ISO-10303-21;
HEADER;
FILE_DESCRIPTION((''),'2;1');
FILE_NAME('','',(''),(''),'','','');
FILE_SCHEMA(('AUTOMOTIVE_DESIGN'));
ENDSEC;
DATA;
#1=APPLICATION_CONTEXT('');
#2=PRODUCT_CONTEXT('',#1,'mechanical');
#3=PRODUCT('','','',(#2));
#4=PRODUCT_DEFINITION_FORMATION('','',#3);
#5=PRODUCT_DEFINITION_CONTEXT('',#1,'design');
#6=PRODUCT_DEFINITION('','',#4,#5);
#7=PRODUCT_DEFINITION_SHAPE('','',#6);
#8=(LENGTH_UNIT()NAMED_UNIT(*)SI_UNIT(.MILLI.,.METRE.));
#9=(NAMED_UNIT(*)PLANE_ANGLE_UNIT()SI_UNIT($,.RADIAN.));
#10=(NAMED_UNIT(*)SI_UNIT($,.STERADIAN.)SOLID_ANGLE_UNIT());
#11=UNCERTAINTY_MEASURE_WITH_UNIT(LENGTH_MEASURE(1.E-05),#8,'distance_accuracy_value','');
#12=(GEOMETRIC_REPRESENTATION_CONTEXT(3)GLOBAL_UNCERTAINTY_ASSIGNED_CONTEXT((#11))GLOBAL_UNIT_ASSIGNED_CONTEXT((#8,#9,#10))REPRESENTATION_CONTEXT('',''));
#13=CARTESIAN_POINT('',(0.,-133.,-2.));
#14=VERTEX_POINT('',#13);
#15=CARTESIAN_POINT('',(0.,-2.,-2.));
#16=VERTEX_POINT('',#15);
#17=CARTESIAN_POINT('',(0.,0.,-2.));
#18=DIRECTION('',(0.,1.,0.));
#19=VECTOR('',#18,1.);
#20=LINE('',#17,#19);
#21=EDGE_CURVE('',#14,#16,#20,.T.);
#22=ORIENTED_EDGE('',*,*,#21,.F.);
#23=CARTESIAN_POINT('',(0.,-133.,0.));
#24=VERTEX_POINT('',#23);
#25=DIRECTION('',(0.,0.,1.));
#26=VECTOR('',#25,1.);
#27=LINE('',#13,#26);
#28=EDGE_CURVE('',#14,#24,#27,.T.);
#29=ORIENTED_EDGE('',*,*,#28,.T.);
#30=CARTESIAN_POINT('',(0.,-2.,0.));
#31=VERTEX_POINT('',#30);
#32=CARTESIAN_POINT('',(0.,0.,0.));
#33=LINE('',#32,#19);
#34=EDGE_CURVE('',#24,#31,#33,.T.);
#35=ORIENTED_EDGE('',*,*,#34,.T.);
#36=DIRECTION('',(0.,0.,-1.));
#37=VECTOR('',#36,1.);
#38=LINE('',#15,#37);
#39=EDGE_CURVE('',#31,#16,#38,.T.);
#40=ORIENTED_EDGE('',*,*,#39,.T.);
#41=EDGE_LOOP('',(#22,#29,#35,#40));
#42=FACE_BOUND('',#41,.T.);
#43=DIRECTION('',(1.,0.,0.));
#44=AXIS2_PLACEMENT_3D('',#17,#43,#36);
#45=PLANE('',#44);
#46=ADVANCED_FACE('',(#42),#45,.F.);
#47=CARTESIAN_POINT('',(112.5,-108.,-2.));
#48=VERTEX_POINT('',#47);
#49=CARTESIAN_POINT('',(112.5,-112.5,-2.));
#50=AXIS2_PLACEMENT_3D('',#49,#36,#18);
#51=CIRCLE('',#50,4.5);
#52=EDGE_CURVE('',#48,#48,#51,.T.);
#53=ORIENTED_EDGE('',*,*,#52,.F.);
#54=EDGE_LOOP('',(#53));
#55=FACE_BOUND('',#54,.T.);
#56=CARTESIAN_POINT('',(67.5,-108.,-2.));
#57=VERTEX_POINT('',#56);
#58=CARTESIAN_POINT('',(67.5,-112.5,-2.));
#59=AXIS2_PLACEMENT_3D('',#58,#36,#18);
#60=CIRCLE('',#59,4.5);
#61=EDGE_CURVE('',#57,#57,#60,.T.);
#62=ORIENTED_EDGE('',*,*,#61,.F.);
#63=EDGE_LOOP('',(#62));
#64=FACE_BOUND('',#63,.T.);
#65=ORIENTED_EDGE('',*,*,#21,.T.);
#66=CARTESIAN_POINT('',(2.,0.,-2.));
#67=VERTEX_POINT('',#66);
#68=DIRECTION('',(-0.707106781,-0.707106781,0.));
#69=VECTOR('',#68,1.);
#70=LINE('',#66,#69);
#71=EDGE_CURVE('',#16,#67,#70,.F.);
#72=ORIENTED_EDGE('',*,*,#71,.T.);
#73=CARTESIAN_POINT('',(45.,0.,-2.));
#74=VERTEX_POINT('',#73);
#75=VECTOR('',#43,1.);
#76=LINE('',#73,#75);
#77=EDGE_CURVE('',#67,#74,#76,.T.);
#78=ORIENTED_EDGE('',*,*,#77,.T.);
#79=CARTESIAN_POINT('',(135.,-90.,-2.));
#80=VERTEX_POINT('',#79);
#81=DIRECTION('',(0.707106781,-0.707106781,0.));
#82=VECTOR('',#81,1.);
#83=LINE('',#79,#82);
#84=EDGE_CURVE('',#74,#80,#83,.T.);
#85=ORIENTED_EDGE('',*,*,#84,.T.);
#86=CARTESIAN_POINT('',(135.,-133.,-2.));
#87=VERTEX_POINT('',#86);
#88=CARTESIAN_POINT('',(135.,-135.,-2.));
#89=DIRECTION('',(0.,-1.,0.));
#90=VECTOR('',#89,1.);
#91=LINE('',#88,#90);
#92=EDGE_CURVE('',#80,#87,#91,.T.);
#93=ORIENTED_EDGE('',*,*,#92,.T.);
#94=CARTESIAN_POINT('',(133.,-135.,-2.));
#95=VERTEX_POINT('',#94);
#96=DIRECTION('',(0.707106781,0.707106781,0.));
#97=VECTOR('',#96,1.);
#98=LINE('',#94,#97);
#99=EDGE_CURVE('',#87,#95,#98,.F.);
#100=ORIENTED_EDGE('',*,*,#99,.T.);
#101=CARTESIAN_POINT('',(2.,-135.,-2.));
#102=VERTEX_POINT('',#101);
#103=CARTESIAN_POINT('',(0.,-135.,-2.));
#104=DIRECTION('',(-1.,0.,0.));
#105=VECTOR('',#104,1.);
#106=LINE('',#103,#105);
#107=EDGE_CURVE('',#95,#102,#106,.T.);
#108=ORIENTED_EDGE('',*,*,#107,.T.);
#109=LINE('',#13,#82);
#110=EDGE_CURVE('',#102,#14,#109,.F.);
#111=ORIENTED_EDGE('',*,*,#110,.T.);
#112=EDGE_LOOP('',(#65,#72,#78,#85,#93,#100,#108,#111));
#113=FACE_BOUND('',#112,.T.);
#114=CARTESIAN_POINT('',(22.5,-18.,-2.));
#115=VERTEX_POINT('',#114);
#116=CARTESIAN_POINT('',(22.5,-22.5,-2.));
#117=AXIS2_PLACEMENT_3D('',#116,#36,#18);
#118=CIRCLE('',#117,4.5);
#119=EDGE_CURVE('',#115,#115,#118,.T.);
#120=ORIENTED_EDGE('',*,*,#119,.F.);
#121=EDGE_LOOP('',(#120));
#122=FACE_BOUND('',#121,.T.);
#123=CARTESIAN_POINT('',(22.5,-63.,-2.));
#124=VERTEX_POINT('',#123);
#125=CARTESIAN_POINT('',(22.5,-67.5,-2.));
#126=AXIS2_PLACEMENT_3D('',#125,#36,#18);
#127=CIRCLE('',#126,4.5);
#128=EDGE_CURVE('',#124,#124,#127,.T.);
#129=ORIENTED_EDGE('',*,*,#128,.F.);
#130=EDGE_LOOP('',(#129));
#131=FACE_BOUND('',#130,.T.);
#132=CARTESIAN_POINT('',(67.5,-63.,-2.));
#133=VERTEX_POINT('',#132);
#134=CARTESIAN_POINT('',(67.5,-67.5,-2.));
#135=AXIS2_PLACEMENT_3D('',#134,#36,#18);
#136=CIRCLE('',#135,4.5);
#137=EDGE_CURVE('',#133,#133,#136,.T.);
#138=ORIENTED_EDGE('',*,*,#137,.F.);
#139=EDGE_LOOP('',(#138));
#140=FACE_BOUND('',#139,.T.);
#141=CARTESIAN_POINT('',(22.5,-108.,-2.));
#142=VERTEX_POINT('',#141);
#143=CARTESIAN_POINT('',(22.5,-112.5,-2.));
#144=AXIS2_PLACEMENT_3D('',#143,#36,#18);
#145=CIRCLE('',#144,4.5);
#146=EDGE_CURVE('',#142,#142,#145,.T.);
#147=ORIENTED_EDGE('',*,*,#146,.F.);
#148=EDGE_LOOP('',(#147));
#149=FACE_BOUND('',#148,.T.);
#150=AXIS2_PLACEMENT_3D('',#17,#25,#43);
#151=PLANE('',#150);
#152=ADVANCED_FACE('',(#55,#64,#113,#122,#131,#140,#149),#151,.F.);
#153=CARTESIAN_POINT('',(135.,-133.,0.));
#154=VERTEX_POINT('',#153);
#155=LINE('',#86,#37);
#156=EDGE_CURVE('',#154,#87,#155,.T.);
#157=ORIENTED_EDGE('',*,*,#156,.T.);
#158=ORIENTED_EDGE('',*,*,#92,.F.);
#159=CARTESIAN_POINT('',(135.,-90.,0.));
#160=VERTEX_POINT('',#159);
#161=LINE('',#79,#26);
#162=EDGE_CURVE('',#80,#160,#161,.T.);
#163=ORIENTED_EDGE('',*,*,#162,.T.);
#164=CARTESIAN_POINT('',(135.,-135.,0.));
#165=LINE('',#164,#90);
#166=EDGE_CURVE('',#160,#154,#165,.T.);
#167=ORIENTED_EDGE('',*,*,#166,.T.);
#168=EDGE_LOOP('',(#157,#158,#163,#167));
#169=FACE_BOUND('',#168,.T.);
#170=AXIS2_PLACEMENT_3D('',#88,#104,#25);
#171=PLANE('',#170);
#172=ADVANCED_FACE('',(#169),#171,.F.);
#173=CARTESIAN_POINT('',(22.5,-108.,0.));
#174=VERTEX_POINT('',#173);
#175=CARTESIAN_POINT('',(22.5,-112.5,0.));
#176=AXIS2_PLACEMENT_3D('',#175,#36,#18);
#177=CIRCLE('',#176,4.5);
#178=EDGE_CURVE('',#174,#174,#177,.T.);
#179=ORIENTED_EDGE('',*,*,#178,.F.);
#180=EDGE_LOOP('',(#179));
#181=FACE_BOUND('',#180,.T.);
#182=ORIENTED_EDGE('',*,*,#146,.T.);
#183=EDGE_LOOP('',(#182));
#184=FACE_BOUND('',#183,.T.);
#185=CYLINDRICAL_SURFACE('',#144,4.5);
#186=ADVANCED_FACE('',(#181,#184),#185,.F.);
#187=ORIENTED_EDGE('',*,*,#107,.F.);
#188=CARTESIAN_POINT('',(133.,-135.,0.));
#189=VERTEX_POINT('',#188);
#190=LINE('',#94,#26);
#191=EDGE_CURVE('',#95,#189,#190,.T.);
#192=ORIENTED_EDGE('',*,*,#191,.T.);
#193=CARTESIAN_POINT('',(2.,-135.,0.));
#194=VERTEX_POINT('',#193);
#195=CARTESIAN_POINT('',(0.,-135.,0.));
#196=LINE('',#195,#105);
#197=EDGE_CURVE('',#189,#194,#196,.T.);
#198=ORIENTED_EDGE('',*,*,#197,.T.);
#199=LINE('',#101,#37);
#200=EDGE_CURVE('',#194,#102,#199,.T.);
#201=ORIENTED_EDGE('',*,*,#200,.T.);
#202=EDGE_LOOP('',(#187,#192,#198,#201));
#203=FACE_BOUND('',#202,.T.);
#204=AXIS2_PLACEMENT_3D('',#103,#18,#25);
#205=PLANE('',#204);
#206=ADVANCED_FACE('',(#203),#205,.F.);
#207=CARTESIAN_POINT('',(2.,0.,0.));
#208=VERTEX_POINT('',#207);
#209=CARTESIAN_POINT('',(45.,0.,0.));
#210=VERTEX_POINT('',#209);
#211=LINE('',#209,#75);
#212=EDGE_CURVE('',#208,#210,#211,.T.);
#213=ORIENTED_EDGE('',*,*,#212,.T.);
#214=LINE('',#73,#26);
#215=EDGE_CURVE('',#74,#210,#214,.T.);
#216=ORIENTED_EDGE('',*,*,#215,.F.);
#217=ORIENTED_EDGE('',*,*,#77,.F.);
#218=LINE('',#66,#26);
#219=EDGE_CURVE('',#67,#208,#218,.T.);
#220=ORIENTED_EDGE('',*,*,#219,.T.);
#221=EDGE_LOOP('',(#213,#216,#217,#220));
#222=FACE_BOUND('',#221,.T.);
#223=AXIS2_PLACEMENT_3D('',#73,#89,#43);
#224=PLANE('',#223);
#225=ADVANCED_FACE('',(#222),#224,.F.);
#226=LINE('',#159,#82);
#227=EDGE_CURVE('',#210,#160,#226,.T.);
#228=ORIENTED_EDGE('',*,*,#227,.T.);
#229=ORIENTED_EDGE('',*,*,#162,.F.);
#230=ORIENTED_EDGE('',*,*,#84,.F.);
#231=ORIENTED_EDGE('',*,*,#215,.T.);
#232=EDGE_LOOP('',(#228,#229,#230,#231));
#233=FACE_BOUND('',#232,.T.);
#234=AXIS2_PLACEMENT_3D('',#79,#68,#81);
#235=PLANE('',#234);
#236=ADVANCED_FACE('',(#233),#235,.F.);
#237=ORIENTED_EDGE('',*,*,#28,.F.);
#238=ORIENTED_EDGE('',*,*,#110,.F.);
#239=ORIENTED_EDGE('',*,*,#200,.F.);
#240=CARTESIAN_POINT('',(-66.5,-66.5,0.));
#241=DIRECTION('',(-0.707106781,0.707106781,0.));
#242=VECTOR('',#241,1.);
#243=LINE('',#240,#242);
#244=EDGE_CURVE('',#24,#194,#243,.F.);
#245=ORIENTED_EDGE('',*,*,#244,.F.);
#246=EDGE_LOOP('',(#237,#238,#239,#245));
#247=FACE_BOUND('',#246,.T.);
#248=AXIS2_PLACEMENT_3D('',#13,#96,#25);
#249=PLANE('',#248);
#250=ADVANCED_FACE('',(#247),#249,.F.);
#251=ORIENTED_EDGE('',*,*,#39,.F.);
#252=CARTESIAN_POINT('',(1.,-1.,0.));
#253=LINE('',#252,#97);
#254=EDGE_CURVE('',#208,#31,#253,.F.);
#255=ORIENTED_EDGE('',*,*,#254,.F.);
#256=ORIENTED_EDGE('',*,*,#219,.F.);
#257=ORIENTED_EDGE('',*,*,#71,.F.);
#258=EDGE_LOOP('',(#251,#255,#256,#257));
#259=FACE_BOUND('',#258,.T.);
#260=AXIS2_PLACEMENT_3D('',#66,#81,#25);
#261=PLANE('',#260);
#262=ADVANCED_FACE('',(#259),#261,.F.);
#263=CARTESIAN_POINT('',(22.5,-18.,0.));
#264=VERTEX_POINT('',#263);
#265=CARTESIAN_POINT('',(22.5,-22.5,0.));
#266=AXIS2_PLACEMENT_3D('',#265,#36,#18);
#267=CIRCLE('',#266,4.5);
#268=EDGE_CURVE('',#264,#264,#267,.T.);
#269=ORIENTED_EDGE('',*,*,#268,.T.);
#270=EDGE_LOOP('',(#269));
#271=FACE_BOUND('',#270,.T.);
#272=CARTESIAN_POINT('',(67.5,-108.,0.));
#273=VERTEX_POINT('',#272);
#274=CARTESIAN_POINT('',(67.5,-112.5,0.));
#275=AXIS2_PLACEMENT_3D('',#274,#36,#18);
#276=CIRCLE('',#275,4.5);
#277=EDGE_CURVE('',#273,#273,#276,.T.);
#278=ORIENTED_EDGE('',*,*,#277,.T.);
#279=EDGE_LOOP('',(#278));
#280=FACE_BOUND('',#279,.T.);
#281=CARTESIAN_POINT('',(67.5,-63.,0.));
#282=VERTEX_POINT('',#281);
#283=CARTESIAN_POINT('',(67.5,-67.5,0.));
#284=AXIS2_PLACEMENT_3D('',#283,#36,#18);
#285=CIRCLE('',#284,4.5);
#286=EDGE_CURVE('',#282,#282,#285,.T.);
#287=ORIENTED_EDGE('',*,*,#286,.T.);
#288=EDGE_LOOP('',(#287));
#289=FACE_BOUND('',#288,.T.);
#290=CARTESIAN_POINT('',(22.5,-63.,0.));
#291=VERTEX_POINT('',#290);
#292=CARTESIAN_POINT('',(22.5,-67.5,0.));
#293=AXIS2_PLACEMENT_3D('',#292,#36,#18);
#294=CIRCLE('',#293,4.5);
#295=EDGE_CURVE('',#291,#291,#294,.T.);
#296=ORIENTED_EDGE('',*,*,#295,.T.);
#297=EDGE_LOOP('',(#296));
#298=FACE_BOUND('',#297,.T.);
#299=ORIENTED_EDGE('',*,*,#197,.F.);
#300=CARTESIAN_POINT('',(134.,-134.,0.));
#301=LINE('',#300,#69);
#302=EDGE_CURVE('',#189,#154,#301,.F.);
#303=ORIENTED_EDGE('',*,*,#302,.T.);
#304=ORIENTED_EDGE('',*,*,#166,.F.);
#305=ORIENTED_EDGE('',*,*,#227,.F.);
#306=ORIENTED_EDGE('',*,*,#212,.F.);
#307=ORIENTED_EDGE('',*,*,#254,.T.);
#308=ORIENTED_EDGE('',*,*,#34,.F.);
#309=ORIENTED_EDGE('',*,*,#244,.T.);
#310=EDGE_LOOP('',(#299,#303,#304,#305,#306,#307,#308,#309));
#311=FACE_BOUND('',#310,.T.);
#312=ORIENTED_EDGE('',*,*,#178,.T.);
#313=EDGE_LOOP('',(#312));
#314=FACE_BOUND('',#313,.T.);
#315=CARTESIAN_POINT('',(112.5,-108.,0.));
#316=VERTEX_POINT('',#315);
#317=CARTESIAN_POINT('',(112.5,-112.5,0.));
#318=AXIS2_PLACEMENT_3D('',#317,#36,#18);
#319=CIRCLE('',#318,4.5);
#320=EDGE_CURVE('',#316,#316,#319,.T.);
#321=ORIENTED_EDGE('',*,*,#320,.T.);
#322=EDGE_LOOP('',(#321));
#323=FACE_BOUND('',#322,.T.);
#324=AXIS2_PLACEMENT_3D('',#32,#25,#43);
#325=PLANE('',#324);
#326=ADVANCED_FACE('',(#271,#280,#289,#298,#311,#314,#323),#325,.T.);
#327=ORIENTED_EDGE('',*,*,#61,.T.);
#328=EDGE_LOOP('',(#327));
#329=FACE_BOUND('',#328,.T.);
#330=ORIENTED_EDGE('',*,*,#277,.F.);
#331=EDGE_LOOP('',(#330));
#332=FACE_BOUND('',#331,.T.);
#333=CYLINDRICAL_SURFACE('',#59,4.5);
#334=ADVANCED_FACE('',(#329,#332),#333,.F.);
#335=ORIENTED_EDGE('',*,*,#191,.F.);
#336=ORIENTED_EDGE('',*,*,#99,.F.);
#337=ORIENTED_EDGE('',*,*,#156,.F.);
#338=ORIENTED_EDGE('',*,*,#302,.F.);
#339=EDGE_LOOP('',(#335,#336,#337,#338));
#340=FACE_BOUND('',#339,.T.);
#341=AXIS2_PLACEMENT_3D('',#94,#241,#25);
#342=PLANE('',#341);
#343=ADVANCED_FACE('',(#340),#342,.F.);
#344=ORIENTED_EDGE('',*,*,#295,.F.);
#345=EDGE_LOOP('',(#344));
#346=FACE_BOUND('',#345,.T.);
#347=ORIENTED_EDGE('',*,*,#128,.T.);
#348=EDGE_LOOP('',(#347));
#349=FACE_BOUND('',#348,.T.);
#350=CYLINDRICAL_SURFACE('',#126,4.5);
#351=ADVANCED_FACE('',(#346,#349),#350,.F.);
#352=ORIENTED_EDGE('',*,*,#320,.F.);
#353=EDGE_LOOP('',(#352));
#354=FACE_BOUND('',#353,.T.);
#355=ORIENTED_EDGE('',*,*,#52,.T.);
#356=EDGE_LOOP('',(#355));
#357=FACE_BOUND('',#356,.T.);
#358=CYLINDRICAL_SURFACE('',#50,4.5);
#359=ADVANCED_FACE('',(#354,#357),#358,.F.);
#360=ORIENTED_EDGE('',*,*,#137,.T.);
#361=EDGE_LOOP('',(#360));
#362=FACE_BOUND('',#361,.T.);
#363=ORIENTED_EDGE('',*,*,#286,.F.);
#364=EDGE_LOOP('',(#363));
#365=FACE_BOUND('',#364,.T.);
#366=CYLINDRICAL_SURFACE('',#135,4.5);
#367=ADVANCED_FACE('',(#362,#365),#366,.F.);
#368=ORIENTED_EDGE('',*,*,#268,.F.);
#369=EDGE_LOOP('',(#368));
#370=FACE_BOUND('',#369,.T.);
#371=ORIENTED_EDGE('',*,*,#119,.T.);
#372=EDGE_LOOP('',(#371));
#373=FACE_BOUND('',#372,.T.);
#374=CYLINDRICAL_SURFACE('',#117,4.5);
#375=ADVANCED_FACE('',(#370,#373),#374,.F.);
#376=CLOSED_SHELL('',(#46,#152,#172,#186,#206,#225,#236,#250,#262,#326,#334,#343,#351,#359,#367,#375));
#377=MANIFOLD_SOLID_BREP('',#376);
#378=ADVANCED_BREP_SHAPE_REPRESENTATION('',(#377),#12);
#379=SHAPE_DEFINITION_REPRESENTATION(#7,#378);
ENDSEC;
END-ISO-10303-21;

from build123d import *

# Parameters (mm, degrees)
EXTRUDE_1_DEPTH   = 2
HOLE_WIZARD_M81_D = 9
CHAMFER_1_SIZE    = 2


with BuildPart() as part:
    # Эскиз1 → Бобышка-Вытянуть1 (new body)
    with BuildSketch(Plane(origin=(0, 0, 0), x_dir=(1, 0, 0), z_dir=(0, 0, -1))):
        Polygon((0, 0), (0, 135), (135, 135), (135, 90), (45, 0), align=None)
    extrude(amount=EXTRUDE_1_DEPTH)

    # Отверстие с зазором M81 (through all)
    with Locations(Plane(origin=(0, 0, -2), x_dir=(1, 0, 0), z_dir=(0, 0, -1))):
        with Locations((67.5, 112.5), (22.5, 112.5), (22.5, 67.5), (22.5, 22.5), (112.5, 112.5), (67.5, 67.5)):
            Hole(HOLE_WIZARD_M81_D / 2)

    # Фаска1
    chamfer_1_edges = [part.edges().sort_by_distance(p)[0] for p in [
        (0, 0, -1),
        (0, -135, -1),
        (135, -135, -1),
    ]]
    chamfer(chamfer_1_edges, length=CHAMFER_1_SIZE)


solid = part.part
